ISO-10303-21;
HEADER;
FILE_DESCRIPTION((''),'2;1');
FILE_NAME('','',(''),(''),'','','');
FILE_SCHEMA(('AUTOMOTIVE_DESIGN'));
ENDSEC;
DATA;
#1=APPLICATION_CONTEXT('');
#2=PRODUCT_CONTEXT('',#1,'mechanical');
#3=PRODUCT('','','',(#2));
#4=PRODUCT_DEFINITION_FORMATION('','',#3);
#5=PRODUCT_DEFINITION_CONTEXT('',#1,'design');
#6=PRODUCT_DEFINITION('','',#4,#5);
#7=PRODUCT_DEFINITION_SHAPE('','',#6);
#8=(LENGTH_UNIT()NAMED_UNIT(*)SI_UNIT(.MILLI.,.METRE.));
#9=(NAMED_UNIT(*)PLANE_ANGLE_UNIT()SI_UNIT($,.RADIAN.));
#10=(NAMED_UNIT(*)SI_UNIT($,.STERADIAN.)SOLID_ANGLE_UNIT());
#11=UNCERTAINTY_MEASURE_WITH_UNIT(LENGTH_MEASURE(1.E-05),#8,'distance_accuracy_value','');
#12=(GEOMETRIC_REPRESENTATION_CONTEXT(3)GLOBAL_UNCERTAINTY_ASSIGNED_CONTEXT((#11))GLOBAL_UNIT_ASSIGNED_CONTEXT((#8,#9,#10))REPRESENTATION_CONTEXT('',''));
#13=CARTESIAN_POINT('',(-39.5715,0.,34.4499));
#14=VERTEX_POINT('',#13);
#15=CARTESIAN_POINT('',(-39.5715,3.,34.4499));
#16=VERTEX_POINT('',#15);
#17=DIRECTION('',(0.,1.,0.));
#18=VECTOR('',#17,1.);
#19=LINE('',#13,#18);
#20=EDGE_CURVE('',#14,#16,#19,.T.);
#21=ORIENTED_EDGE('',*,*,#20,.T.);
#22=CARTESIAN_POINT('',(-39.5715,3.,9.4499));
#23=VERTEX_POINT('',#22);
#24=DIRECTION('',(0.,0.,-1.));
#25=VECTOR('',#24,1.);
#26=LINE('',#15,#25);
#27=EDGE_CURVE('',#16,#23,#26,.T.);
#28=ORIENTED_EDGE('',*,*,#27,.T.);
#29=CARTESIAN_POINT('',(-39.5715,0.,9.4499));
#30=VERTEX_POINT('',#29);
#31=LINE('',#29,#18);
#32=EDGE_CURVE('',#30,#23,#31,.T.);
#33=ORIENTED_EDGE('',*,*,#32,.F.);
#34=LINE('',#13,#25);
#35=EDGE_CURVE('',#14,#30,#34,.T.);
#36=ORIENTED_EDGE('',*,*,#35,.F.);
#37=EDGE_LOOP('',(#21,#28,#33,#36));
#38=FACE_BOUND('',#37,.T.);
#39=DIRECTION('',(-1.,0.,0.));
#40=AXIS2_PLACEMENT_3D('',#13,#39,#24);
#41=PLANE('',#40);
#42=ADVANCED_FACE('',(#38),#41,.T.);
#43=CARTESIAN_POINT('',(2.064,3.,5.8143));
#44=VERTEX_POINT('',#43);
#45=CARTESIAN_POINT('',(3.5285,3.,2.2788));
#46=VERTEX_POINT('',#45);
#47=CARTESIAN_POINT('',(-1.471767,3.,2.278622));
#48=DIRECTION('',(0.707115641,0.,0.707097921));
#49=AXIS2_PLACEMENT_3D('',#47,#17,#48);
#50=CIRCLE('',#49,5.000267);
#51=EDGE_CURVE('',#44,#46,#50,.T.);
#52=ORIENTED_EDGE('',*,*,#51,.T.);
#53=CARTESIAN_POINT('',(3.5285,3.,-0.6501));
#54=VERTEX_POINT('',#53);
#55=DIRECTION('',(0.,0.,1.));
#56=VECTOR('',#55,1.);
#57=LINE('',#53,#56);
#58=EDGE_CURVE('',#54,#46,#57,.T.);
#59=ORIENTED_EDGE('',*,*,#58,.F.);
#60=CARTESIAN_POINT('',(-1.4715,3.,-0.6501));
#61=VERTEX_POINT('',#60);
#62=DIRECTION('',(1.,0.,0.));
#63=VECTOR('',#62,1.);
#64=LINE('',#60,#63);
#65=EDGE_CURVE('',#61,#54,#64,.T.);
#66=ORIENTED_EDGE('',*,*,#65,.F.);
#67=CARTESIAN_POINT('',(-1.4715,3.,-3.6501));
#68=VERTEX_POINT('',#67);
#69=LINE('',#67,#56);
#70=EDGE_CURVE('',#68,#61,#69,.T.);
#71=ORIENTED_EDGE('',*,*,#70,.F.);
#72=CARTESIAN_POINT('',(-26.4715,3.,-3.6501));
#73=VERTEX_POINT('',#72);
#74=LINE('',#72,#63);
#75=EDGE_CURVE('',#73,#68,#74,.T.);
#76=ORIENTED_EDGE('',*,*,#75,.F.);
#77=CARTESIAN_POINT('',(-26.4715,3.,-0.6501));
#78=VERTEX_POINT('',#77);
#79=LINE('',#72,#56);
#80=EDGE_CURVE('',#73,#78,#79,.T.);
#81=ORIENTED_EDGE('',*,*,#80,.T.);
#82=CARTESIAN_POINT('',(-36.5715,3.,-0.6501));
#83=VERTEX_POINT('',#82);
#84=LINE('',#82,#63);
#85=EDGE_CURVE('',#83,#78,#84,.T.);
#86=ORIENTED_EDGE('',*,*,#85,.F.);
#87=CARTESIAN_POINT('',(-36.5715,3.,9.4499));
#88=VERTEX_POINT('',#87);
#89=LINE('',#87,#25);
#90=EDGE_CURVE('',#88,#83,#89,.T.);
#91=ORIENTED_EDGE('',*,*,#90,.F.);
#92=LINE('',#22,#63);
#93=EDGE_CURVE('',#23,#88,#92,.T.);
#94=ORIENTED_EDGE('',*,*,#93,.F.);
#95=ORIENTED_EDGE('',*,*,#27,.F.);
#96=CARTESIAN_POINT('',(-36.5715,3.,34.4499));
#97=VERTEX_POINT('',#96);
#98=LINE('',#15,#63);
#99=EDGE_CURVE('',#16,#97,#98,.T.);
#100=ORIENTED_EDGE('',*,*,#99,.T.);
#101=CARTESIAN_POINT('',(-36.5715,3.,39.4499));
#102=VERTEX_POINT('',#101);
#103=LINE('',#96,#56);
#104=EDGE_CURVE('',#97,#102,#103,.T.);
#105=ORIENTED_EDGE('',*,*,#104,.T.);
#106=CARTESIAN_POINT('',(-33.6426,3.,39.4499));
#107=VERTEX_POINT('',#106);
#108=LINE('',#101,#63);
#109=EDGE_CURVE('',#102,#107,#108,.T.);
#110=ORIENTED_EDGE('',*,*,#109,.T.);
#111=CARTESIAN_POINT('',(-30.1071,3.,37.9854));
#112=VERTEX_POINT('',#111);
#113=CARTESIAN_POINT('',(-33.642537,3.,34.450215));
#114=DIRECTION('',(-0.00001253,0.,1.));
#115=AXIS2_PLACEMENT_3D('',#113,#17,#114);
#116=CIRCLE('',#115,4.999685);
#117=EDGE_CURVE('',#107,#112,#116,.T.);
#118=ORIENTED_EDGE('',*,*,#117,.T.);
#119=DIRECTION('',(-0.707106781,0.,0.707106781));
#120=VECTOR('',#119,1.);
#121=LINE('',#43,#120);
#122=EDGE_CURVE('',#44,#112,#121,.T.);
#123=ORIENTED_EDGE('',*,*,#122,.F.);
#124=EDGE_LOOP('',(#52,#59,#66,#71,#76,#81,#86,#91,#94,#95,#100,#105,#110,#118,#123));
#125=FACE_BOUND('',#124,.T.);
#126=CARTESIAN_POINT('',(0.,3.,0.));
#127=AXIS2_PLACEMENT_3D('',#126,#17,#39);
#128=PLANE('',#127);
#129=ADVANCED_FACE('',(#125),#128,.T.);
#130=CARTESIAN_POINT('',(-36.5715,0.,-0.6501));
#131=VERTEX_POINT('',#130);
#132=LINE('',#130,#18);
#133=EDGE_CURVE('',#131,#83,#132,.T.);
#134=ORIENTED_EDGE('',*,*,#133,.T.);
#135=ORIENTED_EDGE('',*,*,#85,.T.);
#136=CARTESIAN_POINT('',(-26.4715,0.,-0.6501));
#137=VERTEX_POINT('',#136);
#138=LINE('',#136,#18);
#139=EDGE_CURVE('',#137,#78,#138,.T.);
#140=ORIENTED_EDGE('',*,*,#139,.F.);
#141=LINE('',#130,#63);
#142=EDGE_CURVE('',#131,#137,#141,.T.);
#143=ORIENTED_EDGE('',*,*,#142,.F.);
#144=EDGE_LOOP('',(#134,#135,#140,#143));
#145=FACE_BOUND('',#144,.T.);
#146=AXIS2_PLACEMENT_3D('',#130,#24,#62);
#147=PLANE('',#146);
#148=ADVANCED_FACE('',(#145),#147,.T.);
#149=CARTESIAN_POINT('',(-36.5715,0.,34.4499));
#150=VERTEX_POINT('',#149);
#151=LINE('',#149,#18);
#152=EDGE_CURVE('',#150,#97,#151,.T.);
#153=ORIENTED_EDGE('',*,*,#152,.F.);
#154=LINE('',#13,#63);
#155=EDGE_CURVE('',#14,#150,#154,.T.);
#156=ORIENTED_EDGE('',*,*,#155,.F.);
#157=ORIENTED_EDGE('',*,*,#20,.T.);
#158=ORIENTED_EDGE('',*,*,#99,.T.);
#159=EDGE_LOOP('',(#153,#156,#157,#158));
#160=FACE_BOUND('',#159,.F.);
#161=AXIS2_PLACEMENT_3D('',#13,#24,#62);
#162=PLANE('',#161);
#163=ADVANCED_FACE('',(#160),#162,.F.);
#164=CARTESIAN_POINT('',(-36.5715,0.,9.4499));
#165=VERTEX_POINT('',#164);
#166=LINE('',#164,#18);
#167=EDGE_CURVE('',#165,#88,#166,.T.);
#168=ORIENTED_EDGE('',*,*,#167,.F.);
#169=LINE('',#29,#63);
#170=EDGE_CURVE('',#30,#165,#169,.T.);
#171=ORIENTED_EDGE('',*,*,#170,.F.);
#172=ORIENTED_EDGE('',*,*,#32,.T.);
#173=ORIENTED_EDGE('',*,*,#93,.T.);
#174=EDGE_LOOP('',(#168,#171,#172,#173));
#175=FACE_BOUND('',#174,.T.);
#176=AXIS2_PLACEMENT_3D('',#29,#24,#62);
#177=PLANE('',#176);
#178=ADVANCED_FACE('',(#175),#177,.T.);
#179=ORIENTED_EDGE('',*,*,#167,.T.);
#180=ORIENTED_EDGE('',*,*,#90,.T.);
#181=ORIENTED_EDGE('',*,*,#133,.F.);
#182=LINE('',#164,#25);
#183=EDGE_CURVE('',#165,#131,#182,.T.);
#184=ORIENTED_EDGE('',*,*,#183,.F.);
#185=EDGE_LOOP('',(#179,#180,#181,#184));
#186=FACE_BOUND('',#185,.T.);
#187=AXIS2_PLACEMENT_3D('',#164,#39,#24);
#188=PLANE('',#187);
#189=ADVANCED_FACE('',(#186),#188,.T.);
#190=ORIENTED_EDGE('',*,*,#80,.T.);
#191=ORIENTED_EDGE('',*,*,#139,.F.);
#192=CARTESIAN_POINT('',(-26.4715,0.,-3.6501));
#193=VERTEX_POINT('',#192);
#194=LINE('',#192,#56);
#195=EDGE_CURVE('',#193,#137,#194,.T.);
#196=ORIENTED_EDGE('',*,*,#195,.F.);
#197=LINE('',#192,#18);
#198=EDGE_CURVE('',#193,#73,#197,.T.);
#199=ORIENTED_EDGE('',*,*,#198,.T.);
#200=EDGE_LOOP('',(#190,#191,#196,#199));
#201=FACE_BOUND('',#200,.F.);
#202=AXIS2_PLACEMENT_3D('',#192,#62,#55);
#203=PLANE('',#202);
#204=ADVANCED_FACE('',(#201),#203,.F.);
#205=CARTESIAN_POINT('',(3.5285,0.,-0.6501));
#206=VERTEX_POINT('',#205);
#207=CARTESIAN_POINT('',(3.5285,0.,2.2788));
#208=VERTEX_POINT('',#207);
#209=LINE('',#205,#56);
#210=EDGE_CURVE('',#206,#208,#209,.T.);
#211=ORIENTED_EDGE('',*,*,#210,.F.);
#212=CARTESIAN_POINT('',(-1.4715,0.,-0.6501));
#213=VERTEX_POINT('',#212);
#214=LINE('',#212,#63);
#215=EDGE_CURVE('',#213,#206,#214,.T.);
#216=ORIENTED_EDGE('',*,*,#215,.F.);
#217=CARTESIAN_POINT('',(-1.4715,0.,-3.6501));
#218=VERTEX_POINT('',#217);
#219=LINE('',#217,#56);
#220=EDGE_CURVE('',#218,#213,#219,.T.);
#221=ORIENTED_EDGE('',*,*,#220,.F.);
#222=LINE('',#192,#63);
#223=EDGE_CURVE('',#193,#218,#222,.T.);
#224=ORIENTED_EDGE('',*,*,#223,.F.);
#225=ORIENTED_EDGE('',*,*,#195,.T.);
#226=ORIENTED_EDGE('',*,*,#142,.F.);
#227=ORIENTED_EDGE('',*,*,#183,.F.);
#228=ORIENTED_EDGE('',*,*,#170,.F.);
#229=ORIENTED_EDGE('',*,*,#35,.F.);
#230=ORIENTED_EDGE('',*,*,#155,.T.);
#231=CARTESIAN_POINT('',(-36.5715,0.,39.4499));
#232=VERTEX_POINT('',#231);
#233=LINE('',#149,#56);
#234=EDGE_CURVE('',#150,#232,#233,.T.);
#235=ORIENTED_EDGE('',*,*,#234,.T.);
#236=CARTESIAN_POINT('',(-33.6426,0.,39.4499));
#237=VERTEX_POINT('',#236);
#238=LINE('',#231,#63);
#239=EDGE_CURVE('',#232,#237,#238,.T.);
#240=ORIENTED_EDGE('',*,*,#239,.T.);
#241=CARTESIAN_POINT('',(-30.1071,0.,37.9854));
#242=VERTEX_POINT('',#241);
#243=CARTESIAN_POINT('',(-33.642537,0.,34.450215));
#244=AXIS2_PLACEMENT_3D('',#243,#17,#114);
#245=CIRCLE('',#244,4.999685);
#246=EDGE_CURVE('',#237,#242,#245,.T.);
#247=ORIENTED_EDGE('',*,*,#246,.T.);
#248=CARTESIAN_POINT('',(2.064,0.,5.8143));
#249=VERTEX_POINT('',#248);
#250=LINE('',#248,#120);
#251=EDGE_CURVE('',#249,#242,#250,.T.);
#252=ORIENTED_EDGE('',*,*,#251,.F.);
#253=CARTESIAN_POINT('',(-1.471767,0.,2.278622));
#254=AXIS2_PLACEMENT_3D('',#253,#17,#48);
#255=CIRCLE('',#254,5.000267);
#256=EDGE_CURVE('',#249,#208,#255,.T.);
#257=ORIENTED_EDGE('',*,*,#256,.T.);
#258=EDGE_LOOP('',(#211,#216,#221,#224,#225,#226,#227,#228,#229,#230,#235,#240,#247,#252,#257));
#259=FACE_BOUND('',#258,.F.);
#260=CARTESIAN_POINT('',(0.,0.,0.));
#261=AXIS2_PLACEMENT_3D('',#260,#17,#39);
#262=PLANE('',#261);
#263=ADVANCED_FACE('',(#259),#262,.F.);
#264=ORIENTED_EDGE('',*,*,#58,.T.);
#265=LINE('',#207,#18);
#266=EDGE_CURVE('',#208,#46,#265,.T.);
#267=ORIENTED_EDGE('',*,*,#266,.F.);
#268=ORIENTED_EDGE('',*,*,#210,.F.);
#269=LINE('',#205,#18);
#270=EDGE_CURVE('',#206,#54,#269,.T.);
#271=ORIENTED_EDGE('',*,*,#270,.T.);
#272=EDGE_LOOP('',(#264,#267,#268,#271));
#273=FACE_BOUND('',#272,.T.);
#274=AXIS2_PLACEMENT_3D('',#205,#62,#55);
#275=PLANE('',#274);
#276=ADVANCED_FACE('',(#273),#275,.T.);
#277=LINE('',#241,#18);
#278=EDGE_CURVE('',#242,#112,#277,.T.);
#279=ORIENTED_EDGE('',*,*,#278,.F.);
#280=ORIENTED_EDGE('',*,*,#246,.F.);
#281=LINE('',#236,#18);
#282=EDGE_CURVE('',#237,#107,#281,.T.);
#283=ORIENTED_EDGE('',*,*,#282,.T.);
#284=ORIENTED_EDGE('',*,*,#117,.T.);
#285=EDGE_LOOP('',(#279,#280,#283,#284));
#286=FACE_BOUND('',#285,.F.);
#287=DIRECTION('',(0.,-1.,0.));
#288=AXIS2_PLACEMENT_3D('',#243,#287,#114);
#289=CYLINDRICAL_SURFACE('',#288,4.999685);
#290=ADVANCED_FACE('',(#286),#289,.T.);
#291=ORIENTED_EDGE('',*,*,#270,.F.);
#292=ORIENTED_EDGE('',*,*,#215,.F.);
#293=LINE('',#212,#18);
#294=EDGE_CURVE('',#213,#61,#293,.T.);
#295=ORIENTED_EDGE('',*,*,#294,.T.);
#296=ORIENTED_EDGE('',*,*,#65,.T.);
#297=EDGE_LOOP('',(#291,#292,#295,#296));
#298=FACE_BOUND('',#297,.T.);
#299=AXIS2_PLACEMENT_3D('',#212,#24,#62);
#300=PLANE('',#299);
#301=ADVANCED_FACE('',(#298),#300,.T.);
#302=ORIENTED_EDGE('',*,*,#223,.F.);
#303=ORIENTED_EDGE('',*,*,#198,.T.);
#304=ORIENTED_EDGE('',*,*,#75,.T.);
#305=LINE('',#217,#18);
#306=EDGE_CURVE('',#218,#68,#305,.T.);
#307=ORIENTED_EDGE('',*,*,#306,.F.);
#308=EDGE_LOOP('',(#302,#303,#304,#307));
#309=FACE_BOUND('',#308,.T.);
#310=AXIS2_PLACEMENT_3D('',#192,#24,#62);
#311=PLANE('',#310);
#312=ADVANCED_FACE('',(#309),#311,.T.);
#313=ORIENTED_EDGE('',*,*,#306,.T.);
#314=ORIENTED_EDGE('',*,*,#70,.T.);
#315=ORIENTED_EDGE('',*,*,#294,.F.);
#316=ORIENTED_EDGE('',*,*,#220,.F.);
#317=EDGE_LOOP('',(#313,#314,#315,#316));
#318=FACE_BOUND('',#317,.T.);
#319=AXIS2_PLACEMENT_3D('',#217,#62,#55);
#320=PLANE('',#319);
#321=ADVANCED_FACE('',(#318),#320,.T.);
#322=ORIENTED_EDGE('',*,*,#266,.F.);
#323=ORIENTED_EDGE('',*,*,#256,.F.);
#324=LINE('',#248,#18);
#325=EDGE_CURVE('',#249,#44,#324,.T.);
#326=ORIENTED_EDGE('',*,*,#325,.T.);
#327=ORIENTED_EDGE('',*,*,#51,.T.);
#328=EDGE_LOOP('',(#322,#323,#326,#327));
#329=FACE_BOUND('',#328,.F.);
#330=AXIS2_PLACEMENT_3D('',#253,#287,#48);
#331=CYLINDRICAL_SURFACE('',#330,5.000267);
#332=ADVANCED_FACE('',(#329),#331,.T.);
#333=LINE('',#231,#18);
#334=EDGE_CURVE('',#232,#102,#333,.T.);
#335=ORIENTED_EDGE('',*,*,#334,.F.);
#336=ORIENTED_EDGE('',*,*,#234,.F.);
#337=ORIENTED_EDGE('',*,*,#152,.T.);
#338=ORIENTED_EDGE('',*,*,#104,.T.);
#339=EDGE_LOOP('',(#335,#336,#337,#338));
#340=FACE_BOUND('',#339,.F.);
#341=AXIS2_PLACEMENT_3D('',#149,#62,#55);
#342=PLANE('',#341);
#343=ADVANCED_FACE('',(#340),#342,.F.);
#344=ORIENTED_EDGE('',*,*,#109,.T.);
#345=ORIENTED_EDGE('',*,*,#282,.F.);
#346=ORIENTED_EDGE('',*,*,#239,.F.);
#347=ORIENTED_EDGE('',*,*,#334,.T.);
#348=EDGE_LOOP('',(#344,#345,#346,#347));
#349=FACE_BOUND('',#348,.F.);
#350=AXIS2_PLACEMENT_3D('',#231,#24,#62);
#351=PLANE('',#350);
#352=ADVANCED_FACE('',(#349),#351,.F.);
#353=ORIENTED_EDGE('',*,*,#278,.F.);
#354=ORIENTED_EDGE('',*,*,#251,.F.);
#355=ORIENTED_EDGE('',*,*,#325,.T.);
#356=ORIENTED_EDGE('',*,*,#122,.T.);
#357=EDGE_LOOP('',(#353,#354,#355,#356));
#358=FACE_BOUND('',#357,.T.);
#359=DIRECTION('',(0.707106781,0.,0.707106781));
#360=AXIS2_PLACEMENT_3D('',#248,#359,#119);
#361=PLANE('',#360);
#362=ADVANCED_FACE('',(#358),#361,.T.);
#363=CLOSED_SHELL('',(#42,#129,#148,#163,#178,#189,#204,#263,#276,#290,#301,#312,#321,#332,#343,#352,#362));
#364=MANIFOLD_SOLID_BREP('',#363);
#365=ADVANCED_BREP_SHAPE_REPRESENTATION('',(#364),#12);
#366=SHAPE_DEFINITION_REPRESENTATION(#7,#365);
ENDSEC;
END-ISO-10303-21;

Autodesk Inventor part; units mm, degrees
ref_plane "YZ Plane" through (0, 0, 0) normal (1, 0, 0) x (0, 1, 0)
ref_plane "XZ Plane" through (0, 0, 0) normal (0, 1, 0) x (-1, 0, 0)
ref_plane "XY Plane" through (0, 0, 0) normal (0, 0, 1) x (1, 0, 0)
sketch "Sketch1" plane through (0, 0, 0) normal (0, 1, 0) x (-1, 0, 0)
  line L0 (39.5715, 34.4499) -> (39.5715, 9.4499)
  line L1 (39.5715, 34.4499) -> (36.5715, 34.4499)
  line L2 (39.5715, 9.4499) -> (36.5715, 9.4499)
  line L3 (36.5715, 9.4499) -> (36.5715, -0.6501)
  line L4 (36.5715, -0.6501) -> (26.4715, -0.6501)
  line L5 (26.4715, -3.6501) -> (1.4715, -3.6501)
  line L6 (26.4715, -3.6501) -> (26.4715, -0.6501)
  line L7 (1.4715, -3.6501) -> (1.4715, -0.6501)
  line L8 (36.5715, 34.4499) -> (36.5715, 39.4499)
  line L9 (1.4715, -0.6501) -> (-3.5285, -0.6501)
  line L10 (-3.5285, -0.6501) -> (-3.5285, 2.2788)
  line L11 (36.5715, 39.4499) -> (33.6426, 39.4499)
  arc A0 (33.6426, 39.4499) -> (30.1071, 37.9854) centre (33.6426, 34.4499) ccw
  line L12 (-2.064, 5.8143) -> (30.1071, 37.9854)
  arc A1 (-2.064, 5.8143) -> (-3.5285, 2.2788) centre (1.4715, 2.2788) ccw
  point P0 (0, 0)
extrude "Extrusion1" add sketch "Sketch1" along normal blind 3
properties part number "trackingCamAngleSupport" material "Polycarbonate, Clear"
